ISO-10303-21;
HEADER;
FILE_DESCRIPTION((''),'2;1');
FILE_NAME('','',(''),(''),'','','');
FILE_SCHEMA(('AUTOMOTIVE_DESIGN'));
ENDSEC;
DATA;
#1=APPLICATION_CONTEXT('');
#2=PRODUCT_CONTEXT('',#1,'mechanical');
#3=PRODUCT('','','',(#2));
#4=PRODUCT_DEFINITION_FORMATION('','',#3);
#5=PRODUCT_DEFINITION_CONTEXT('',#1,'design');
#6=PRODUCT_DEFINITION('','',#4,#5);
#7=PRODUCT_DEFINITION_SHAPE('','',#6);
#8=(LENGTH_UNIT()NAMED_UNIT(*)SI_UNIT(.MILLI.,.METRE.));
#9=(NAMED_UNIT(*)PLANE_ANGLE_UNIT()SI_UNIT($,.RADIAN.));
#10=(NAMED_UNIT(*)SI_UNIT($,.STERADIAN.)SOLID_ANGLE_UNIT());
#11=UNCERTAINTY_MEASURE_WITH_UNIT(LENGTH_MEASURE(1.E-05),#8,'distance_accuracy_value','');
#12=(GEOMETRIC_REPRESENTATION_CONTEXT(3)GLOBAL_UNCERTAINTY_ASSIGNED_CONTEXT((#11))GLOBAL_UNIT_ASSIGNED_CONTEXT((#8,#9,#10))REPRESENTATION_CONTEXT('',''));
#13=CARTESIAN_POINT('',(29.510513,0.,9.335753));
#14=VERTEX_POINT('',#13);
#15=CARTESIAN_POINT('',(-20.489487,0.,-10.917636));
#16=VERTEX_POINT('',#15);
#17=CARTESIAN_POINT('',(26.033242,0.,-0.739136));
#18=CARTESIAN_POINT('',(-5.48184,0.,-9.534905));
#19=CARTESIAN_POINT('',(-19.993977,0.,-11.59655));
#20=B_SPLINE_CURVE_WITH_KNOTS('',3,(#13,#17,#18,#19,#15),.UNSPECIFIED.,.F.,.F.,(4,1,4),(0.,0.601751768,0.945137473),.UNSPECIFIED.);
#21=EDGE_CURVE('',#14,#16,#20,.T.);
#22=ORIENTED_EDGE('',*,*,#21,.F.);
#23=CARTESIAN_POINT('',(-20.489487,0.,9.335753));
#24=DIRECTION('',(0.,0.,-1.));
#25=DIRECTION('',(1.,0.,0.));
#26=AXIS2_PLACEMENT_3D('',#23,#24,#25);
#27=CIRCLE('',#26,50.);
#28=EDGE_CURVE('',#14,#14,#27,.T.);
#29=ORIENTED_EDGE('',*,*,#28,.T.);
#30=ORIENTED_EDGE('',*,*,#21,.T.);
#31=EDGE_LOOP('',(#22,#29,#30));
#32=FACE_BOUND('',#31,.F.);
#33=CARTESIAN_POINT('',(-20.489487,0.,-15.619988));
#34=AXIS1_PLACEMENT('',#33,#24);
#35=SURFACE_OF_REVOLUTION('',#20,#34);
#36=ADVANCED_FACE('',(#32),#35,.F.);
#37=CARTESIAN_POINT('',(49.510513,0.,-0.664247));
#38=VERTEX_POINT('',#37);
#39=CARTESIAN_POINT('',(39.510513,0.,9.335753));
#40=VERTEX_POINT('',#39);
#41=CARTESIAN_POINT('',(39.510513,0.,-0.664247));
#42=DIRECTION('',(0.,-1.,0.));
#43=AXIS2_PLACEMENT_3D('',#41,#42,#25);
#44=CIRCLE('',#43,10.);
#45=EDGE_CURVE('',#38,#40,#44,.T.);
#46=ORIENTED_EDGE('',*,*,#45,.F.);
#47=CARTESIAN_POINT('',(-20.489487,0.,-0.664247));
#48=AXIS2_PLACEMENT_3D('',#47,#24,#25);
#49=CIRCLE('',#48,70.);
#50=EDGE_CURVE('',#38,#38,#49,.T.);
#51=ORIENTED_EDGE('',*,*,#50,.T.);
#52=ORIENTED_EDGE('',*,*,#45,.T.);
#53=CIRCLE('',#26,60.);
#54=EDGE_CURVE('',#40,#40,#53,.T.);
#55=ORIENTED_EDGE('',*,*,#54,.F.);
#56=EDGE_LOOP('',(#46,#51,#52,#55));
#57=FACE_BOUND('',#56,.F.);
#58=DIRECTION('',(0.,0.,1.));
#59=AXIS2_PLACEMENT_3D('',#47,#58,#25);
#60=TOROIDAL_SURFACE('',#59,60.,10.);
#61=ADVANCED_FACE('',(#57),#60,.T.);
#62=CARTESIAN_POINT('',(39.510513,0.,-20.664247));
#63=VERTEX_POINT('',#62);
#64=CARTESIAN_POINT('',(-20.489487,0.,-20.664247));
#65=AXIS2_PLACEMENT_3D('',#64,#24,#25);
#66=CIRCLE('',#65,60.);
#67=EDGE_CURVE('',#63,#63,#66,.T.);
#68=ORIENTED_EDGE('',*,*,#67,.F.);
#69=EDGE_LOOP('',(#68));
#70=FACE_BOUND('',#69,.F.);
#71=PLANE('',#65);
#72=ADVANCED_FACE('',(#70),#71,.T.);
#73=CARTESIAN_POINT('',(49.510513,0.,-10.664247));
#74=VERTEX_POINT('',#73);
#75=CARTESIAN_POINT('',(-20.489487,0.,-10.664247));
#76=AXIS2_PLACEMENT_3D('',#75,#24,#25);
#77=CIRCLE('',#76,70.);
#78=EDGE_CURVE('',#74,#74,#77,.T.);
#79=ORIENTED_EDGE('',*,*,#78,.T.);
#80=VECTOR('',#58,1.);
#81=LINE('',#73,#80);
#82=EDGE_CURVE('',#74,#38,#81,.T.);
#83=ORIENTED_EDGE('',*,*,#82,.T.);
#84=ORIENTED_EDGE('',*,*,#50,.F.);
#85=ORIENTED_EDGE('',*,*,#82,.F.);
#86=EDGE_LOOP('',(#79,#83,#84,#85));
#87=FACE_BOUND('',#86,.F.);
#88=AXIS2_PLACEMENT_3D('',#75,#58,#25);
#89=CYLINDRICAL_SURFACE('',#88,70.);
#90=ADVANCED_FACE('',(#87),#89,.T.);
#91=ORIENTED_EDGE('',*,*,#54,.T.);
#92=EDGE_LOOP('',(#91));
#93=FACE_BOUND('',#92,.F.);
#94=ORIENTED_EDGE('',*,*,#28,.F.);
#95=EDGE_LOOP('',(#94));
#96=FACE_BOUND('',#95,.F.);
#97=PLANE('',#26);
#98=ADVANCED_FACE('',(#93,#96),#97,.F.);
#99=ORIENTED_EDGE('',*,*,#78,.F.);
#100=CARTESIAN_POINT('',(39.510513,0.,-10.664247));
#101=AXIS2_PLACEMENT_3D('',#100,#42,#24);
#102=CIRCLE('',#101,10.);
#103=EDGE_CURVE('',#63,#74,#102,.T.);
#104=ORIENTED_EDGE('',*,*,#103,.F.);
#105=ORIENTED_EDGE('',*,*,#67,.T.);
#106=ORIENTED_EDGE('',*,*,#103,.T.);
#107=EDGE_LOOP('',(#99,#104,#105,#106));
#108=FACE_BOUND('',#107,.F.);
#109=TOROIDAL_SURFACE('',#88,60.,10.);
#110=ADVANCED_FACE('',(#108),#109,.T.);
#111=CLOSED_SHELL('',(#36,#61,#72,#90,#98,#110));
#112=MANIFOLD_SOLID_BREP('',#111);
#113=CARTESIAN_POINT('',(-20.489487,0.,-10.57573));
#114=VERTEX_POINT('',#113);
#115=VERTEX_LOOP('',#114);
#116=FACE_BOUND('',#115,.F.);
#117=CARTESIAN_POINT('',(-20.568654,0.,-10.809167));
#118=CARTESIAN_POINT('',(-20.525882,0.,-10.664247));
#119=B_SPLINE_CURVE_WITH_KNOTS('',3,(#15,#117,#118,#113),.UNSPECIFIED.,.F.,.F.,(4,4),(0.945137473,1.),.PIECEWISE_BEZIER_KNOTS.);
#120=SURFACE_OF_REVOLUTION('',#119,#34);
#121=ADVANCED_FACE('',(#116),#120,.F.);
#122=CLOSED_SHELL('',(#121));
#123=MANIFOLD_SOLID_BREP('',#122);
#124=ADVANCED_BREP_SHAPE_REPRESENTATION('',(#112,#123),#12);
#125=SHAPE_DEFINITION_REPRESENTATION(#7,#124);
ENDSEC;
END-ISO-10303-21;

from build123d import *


with BuildPart() as f1:
    # F0 (on Front) → F1 (revolve)
    with BuildSketch(Plane.XZ):
        with BuildLine():
            add(Edge.make_bspline(
                [(-20.4894867882, -10.9176363358), (-20.5686540811, -10.8091667312), (-20.5258820569, -10.6642469875), (-20.4894867882, -10.575729871)],
                knots=[0.9451374733, 0.9451374733, 0.9451374733, 0.9451374733, 1, 1, 1, 1], degree=3))
            Line((-20.4894867882, -10.9176363358), (-20.4894867882, -10.575729871))
        make_face()
    revolve(axis=Axis((-20.4894867882, 0, -15.6199884293), (0, 0, -1)))


with BuildPart() as f1b:
    # F0 (on Front) → F1, piece 2 (revolve)
    with BuildSketch(Plane.XZ):
        with BuildLine():
            Line((39.5105132118, 9.3357530125), (29.5105132118, 9.3357530125))
            add(Edge.make_bspline(
                [(29.5105132118, 9.3357530125), (26.0332416174, -0.7391355881), (-5.4818401182, -9.5349051038), (-19.9939770416, -11.5965498663), (-20.4894867882, -10.9176363358)],
                knots=[0, 0, 0, 0, 0.6017517675, 0.9451374733, 0.9451374733, 0.9451374733, 0.9451374733], degree=3))
            Line((-20.4894867882, -10.9176363358), (-20.4894867882, -20.6642469875))
            Line((-20.4894867882, -20.6642469875), (39.5105132118, -20.6642469875))
            ThreePointArc((39.5105132118, -20.6642469875), (46.5815810236, -17.7353147994), (49.5105132118, -10.6642469875))
            Line((49.5105132118, -10.6642469875), (49.5105132118, -0.6642469875))
            ThreePointArc((49.5105132118, -0.6642469875), (46.5815810236, 6.4068208243), (39.5105132118, 9.3357530125))
        make_face()
    revolve(axis=Axis((-20.4894867882, 0, -15.6199884293), (0, 0, -1)))


solid = Compound([f1.part, f1b.part])
